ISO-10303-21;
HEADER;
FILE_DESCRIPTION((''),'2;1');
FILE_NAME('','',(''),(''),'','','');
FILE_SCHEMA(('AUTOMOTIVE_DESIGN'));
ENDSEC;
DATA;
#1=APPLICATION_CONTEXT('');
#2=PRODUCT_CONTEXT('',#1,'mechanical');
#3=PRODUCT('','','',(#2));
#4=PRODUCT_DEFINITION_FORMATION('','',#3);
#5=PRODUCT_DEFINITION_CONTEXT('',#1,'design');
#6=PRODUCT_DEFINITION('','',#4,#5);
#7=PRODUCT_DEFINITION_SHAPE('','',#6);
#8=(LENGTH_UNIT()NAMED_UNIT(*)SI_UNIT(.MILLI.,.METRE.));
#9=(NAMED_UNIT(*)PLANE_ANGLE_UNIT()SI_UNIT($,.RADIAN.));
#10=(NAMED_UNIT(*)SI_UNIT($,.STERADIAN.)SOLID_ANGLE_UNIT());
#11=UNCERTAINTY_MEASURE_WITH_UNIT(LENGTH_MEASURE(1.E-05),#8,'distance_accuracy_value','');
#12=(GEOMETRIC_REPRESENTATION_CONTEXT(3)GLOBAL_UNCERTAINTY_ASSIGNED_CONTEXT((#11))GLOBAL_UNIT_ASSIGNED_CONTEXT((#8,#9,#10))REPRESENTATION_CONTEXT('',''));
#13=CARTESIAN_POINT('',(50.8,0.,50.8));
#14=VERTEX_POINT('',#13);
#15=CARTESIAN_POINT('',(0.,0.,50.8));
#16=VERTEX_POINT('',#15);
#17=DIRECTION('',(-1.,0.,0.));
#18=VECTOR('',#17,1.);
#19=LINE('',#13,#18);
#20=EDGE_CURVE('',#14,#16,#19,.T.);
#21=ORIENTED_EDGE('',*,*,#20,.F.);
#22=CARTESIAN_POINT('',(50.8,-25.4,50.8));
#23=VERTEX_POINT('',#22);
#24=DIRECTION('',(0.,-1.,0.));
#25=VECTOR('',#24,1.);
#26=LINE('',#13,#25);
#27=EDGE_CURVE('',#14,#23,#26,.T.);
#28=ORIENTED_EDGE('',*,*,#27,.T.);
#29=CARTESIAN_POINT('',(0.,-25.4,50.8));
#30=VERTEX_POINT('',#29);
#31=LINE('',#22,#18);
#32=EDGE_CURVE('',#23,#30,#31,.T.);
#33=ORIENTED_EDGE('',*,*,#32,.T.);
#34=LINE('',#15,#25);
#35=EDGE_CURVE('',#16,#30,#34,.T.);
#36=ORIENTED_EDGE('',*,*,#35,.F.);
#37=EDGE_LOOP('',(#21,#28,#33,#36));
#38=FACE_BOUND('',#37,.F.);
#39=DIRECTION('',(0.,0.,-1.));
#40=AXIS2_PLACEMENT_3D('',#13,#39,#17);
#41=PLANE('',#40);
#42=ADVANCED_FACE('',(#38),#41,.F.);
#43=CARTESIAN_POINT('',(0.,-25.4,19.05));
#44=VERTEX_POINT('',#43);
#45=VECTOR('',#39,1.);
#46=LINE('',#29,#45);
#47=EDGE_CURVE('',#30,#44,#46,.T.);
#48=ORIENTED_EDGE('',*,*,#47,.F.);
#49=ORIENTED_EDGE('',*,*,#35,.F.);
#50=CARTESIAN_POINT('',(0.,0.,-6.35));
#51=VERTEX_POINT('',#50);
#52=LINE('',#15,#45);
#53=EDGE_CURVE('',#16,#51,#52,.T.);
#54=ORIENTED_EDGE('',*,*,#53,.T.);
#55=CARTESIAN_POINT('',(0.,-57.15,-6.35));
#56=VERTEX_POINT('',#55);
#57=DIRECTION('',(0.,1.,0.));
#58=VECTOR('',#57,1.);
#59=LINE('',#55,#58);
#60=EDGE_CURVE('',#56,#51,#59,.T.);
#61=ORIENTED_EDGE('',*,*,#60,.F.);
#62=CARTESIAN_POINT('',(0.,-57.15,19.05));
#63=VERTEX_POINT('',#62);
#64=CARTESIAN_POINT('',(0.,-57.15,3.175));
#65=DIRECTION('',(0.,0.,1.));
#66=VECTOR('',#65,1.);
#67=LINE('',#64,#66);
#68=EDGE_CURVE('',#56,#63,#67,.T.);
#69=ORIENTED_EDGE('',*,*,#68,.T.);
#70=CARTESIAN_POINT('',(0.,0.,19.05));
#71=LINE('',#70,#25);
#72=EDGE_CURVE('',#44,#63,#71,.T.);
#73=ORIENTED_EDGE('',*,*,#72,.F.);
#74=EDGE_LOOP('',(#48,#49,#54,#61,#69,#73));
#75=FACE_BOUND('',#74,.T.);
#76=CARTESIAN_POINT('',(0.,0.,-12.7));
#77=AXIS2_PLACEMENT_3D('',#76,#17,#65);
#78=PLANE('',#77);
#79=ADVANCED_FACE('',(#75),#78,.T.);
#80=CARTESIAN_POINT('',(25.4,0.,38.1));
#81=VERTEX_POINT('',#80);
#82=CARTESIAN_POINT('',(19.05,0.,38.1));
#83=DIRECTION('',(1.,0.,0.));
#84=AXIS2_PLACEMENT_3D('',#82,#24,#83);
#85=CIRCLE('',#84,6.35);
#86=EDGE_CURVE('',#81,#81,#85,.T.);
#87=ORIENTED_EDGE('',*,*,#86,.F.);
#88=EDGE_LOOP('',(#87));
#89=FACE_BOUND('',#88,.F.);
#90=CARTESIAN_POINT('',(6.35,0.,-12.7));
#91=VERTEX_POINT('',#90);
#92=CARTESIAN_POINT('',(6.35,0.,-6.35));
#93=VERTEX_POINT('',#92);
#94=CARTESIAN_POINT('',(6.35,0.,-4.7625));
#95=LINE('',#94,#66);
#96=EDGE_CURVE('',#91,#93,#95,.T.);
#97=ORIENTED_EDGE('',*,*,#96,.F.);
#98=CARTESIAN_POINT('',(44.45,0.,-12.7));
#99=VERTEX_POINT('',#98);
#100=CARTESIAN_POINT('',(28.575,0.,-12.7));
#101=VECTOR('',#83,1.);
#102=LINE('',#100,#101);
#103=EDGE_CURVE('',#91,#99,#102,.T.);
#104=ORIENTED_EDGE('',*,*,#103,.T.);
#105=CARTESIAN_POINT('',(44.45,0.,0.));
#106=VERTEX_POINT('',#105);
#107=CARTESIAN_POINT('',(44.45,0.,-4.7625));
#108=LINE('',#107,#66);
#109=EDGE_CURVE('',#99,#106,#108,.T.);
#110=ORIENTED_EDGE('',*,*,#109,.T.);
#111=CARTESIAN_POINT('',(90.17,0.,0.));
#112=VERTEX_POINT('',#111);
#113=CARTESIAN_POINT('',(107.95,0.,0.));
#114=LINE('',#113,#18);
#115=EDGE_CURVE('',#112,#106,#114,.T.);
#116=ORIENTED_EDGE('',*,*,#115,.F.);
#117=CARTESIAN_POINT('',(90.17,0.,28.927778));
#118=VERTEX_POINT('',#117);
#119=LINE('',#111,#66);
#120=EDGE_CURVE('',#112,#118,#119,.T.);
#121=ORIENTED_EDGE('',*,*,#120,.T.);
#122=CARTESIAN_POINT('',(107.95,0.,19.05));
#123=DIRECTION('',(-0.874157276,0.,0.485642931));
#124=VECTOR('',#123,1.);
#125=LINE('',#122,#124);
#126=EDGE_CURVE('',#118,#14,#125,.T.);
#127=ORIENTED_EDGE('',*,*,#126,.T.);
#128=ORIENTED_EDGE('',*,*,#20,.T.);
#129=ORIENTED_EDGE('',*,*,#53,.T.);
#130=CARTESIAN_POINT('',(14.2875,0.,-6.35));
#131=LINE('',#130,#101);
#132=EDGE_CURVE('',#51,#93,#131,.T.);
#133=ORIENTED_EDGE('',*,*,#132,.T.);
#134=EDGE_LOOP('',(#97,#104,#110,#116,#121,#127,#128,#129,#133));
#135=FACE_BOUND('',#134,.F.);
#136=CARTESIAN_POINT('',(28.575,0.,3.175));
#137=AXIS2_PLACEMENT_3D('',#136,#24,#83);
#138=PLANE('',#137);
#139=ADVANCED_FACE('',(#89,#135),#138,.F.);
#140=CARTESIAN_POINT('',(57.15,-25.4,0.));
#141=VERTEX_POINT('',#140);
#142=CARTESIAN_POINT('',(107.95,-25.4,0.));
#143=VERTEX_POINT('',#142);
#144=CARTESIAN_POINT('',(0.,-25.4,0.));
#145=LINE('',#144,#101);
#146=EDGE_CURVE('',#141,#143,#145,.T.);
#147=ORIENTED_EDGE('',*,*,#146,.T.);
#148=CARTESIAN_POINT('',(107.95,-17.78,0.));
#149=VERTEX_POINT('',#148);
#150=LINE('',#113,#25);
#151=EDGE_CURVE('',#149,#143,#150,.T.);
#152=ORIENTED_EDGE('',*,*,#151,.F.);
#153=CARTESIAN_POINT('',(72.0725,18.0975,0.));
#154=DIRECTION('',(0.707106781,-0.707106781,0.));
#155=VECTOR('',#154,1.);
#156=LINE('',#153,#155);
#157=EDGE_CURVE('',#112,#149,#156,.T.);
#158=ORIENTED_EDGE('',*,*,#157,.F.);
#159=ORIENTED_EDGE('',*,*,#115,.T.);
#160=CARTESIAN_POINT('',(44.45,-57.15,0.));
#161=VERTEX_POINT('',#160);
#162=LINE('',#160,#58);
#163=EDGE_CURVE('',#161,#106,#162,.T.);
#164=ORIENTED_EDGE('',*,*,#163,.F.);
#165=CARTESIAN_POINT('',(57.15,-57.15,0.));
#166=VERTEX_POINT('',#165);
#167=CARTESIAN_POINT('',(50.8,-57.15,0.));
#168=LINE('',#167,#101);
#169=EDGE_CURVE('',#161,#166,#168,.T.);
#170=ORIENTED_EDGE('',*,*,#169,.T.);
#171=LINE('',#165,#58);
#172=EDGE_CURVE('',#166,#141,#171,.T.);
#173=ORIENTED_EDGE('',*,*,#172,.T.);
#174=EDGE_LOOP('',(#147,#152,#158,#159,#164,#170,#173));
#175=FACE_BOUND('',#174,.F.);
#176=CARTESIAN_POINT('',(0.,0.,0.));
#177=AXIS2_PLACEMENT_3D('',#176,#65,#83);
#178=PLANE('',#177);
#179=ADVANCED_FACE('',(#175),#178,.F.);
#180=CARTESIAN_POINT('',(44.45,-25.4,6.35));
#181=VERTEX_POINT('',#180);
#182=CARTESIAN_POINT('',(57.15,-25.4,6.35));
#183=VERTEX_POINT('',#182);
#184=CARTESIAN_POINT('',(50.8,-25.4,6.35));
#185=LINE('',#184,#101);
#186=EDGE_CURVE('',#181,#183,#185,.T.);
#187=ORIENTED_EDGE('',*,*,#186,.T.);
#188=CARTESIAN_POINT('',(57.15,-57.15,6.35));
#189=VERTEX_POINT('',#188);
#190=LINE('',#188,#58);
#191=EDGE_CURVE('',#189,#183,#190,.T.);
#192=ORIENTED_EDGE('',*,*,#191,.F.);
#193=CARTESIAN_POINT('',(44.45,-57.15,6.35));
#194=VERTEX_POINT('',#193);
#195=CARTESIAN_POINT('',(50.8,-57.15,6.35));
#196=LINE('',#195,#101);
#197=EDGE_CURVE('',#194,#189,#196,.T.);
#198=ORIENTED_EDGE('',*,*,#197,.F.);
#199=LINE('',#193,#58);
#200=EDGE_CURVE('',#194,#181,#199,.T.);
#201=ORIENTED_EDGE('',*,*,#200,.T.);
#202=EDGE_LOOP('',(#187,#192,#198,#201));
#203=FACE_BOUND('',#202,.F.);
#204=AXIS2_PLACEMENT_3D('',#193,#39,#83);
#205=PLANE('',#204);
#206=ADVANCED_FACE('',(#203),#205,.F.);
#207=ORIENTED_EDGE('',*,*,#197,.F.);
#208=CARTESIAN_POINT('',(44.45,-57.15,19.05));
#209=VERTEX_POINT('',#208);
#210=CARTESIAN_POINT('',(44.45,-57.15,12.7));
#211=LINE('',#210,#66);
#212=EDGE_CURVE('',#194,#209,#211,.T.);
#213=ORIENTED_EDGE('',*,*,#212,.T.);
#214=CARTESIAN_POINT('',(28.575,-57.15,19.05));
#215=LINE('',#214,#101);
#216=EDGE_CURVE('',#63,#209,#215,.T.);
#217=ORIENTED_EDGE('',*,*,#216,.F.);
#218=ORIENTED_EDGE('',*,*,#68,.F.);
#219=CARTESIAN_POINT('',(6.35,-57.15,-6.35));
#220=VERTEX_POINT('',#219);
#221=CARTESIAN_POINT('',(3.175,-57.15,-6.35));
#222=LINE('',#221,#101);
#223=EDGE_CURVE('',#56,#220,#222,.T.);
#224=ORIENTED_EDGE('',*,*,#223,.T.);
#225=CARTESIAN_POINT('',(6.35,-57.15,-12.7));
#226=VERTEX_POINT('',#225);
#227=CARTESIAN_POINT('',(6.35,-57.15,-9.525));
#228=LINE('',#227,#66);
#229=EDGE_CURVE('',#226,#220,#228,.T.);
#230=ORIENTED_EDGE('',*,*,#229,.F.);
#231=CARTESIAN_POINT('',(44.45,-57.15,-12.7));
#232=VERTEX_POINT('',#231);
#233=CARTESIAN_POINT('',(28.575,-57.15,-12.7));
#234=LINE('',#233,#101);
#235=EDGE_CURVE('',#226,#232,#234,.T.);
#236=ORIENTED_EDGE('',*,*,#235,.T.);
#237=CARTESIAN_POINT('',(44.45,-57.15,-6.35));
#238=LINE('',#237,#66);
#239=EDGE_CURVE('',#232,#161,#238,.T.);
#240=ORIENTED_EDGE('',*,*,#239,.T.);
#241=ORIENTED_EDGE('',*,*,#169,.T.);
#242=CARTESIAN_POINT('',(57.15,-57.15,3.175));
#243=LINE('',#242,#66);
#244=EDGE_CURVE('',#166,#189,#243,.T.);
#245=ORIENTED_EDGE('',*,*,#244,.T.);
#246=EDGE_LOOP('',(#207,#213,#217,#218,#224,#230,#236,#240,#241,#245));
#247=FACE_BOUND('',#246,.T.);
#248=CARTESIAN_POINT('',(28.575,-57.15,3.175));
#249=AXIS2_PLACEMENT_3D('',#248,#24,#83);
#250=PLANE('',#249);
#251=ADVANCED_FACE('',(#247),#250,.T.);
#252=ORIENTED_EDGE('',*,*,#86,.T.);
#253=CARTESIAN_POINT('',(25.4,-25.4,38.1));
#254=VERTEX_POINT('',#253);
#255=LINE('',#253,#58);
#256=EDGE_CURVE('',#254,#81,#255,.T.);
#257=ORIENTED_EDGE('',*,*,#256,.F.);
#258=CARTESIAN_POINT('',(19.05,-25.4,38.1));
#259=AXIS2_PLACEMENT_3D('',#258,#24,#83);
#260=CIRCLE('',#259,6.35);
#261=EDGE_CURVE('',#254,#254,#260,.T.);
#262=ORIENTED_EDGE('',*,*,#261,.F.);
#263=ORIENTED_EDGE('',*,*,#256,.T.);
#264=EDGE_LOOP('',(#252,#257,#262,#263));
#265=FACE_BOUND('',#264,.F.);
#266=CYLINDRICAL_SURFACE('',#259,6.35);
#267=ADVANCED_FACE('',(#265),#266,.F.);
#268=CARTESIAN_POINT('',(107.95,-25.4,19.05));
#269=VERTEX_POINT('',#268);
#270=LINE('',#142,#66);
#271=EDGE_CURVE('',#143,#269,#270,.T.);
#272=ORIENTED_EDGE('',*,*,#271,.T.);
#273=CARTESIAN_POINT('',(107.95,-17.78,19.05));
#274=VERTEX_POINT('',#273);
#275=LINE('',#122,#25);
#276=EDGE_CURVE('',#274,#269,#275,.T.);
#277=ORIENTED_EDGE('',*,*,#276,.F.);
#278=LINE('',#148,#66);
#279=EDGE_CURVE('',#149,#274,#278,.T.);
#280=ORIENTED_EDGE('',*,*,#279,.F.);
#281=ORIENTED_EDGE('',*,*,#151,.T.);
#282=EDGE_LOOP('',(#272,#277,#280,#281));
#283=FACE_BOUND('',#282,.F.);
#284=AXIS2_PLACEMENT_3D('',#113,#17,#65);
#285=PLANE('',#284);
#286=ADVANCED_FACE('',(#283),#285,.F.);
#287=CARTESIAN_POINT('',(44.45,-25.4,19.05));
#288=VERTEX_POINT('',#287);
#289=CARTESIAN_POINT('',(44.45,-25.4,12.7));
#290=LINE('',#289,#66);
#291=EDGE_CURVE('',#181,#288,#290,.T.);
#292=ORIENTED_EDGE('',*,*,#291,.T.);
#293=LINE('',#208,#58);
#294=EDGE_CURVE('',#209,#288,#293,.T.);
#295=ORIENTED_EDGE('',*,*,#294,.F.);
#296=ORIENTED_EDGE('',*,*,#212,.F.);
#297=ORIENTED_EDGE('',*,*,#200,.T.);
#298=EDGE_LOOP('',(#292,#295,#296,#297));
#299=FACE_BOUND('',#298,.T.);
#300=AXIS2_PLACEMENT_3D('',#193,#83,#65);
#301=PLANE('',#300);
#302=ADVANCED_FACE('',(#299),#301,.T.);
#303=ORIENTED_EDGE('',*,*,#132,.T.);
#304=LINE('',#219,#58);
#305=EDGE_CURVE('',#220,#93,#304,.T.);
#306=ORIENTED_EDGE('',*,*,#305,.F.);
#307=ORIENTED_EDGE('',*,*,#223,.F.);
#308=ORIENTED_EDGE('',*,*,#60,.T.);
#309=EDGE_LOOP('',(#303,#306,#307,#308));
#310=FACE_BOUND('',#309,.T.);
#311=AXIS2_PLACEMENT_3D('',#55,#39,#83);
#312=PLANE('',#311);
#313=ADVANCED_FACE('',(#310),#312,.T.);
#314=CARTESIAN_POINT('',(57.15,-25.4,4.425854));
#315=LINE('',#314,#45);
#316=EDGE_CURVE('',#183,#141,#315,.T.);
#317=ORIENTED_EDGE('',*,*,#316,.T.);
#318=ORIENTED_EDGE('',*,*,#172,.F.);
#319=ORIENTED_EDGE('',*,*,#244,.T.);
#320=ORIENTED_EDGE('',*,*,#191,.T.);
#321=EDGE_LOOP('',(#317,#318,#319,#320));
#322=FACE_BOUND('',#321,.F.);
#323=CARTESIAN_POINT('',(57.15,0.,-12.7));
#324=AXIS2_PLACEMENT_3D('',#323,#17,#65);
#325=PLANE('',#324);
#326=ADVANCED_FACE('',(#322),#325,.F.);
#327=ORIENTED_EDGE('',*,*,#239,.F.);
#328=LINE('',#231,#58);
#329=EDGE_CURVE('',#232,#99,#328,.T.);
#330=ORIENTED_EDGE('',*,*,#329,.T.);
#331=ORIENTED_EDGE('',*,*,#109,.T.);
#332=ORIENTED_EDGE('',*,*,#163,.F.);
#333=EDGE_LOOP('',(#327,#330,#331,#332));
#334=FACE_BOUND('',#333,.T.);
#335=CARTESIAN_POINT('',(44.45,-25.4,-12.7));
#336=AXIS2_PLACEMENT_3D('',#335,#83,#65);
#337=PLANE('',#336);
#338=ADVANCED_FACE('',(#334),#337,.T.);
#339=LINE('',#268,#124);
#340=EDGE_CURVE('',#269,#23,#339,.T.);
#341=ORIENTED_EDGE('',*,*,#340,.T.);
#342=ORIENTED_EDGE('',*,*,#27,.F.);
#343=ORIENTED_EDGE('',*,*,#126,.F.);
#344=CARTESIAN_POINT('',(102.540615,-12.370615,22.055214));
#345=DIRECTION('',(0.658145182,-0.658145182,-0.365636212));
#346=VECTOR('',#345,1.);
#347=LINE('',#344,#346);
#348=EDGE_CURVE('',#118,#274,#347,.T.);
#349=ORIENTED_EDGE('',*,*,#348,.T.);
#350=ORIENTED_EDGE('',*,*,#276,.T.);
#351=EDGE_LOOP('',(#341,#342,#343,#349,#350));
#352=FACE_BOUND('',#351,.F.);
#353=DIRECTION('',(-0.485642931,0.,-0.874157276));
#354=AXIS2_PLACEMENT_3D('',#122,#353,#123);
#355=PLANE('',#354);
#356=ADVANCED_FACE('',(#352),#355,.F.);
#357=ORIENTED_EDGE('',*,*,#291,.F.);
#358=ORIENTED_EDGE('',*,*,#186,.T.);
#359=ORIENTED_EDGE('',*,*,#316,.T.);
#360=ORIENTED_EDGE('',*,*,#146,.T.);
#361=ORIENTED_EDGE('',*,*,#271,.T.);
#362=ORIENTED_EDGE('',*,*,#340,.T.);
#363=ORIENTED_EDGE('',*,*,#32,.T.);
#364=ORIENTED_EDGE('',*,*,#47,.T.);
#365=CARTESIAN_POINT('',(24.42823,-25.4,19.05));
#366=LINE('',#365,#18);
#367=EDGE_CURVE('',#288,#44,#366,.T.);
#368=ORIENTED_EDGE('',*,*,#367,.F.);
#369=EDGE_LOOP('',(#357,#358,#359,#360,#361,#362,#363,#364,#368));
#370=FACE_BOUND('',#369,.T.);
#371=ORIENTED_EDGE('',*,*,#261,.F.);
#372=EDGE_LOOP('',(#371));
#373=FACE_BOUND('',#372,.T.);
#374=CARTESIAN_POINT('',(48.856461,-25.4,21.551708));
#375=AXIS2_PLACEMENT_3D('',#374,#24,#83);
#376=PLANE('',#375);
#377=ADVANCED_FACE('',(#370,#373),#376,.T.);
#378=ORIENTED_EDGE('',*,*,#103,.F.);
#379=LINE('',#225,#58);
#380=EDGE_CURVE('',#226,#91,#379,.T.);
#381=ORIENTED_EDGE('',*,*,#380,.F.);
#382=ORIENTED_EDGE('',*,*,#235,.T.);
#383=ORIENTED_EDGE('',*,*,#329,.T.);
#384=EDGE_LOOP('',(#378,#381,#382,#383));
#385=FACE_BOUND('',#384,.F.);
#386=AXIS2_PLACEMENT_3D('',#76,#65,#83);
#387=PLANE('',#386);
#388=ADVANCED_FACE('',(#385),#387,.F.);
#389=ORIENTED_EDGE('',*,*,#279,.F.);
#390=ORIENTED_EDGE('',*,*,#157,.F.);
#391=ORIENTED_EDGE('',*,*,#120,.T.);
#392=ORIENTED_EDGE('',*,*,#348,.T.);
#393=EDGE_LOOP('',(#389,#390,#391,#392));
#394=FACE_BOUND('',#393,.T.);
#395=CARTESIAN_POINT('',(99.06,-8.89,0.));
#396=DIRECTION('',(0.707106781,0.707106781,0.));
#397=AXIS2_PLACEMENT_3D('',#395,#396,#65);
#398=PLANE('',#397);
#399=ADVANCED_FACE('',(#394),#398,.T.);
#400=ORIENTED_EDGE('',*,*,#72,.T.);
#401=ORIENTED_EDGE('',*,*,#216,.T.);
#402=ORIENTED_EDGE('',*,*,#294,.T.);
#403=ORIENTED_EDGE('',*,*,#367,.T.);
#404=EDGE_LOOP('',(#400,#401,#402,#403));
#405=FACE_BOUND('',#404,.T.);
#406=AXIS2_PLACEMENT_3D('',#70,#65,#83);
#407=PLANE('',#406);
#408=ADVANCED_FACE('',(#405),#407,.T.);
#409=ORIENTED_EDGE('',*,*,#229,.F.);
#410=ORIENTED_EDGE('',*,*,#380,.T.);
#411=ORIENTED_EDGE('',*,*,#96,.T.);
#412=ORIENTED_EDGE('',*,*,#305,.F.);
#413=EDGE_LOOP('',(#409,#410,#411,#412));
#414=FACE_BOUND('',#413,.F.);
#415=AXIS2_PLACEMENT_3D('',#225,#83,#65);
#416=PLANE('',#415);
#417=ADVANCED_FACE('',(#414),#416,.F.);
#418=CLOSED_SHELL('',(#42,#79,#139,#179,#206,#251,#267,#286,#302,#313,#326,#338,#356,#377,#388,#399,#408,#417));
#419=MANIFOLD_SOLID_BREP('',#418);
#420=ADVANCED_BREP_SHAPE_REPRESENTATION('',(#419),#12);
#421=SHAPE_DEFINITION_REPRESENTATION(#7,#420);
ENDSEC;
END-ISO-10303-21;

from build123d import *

# Parameters (mm, degrees)
F1_DEPTH  = 25.4
F2_W      = 57.15
F2_H      = 31.75
F3_DEPTH  = 57.15
F4_W      = 6.35
F4_H      = 6.35
F5_DEPTH  = 57.151
F4_W_2    = 12.7
F4_H_2    = 12.7
F6_DEPTH  = 31.75
F6_FACE_W = 12.7
F6_FACE_H = 12.7
F7_DEPTH  = 25.401
F8_R      = 6.35
F9_DEPTH  = 25.401
F10_SIZE  = 17.78


with BuildPart() as f1:
    # F0 (on Front) → F1 (new body)
    with BuildSketch(Plane.XZ):
        Polygon((0, 50.8), (0, 0), (107.95, 0), (107.95, 19.05), (50.8, 50.8), align=None)
    extrude(amount=F1_DEPTH)

    # F2 (on Front) → F3 (join)
    with BuildSketch(Plane.XZ):
        with Locations((28.575, 3.175)):
            Rectangle(F2_W, F2_H)
    extrude(amount=F3_DEPTH)

    # F4 (on face) → F5 (cut, through all)
    with BuildSketch(Plane.XZ.offset(57.15)):
        with Locations((3.175, -9.525)):
            Rectangle(F4_W, F4_H)
    extrude(amount=-F5_DEPTH, mode=Mode.SUBTRACT)

    # F4 (on face) → F6 (cut)
    with BuildSketch(Plane.XZ.offset(57.15)):
        with Locations((50.8, 12.7)):
            Rectangle(F4_W_2, F4_H_2)
        with Locations((50.8, -6.35)):
            Rectangle(F4_W_2, F4_H_2)
    extrude(amount=-F6_DEPTH, mode=Mode.SUBTRACT)

    # F6_face (on face) → F7 (cut, through all)
    with BuildSketch(Plane(origin=(50.8, -25.4, -6.35), x_dir=(1, 0, 0), z_dir=(0, -1, 0))):
        Rectangle(F6_FACE_W, F6_FACE_H)
    extrude(amount=-F7_DEPTH, mode=Mode.SUBTRACT)

    # F8 (on face) → F9 (cut, through all)
    with BuildSketch(Plane.XZ.offset(25.4)):
        with Locations((19.05, 38.1)):
            Circle(F8_R)
    extrude(amount=-F9_DEPTH, mode=Mode.SUBTRACT)

    # F10
    f10_edges = [f1.edges().sort_by_distance(p)[0] for p in [
        (107.95, 0, 9.525),
    ]]
    chamfer(f10_edges, length=F10_SIZE)


solid = f1.part
